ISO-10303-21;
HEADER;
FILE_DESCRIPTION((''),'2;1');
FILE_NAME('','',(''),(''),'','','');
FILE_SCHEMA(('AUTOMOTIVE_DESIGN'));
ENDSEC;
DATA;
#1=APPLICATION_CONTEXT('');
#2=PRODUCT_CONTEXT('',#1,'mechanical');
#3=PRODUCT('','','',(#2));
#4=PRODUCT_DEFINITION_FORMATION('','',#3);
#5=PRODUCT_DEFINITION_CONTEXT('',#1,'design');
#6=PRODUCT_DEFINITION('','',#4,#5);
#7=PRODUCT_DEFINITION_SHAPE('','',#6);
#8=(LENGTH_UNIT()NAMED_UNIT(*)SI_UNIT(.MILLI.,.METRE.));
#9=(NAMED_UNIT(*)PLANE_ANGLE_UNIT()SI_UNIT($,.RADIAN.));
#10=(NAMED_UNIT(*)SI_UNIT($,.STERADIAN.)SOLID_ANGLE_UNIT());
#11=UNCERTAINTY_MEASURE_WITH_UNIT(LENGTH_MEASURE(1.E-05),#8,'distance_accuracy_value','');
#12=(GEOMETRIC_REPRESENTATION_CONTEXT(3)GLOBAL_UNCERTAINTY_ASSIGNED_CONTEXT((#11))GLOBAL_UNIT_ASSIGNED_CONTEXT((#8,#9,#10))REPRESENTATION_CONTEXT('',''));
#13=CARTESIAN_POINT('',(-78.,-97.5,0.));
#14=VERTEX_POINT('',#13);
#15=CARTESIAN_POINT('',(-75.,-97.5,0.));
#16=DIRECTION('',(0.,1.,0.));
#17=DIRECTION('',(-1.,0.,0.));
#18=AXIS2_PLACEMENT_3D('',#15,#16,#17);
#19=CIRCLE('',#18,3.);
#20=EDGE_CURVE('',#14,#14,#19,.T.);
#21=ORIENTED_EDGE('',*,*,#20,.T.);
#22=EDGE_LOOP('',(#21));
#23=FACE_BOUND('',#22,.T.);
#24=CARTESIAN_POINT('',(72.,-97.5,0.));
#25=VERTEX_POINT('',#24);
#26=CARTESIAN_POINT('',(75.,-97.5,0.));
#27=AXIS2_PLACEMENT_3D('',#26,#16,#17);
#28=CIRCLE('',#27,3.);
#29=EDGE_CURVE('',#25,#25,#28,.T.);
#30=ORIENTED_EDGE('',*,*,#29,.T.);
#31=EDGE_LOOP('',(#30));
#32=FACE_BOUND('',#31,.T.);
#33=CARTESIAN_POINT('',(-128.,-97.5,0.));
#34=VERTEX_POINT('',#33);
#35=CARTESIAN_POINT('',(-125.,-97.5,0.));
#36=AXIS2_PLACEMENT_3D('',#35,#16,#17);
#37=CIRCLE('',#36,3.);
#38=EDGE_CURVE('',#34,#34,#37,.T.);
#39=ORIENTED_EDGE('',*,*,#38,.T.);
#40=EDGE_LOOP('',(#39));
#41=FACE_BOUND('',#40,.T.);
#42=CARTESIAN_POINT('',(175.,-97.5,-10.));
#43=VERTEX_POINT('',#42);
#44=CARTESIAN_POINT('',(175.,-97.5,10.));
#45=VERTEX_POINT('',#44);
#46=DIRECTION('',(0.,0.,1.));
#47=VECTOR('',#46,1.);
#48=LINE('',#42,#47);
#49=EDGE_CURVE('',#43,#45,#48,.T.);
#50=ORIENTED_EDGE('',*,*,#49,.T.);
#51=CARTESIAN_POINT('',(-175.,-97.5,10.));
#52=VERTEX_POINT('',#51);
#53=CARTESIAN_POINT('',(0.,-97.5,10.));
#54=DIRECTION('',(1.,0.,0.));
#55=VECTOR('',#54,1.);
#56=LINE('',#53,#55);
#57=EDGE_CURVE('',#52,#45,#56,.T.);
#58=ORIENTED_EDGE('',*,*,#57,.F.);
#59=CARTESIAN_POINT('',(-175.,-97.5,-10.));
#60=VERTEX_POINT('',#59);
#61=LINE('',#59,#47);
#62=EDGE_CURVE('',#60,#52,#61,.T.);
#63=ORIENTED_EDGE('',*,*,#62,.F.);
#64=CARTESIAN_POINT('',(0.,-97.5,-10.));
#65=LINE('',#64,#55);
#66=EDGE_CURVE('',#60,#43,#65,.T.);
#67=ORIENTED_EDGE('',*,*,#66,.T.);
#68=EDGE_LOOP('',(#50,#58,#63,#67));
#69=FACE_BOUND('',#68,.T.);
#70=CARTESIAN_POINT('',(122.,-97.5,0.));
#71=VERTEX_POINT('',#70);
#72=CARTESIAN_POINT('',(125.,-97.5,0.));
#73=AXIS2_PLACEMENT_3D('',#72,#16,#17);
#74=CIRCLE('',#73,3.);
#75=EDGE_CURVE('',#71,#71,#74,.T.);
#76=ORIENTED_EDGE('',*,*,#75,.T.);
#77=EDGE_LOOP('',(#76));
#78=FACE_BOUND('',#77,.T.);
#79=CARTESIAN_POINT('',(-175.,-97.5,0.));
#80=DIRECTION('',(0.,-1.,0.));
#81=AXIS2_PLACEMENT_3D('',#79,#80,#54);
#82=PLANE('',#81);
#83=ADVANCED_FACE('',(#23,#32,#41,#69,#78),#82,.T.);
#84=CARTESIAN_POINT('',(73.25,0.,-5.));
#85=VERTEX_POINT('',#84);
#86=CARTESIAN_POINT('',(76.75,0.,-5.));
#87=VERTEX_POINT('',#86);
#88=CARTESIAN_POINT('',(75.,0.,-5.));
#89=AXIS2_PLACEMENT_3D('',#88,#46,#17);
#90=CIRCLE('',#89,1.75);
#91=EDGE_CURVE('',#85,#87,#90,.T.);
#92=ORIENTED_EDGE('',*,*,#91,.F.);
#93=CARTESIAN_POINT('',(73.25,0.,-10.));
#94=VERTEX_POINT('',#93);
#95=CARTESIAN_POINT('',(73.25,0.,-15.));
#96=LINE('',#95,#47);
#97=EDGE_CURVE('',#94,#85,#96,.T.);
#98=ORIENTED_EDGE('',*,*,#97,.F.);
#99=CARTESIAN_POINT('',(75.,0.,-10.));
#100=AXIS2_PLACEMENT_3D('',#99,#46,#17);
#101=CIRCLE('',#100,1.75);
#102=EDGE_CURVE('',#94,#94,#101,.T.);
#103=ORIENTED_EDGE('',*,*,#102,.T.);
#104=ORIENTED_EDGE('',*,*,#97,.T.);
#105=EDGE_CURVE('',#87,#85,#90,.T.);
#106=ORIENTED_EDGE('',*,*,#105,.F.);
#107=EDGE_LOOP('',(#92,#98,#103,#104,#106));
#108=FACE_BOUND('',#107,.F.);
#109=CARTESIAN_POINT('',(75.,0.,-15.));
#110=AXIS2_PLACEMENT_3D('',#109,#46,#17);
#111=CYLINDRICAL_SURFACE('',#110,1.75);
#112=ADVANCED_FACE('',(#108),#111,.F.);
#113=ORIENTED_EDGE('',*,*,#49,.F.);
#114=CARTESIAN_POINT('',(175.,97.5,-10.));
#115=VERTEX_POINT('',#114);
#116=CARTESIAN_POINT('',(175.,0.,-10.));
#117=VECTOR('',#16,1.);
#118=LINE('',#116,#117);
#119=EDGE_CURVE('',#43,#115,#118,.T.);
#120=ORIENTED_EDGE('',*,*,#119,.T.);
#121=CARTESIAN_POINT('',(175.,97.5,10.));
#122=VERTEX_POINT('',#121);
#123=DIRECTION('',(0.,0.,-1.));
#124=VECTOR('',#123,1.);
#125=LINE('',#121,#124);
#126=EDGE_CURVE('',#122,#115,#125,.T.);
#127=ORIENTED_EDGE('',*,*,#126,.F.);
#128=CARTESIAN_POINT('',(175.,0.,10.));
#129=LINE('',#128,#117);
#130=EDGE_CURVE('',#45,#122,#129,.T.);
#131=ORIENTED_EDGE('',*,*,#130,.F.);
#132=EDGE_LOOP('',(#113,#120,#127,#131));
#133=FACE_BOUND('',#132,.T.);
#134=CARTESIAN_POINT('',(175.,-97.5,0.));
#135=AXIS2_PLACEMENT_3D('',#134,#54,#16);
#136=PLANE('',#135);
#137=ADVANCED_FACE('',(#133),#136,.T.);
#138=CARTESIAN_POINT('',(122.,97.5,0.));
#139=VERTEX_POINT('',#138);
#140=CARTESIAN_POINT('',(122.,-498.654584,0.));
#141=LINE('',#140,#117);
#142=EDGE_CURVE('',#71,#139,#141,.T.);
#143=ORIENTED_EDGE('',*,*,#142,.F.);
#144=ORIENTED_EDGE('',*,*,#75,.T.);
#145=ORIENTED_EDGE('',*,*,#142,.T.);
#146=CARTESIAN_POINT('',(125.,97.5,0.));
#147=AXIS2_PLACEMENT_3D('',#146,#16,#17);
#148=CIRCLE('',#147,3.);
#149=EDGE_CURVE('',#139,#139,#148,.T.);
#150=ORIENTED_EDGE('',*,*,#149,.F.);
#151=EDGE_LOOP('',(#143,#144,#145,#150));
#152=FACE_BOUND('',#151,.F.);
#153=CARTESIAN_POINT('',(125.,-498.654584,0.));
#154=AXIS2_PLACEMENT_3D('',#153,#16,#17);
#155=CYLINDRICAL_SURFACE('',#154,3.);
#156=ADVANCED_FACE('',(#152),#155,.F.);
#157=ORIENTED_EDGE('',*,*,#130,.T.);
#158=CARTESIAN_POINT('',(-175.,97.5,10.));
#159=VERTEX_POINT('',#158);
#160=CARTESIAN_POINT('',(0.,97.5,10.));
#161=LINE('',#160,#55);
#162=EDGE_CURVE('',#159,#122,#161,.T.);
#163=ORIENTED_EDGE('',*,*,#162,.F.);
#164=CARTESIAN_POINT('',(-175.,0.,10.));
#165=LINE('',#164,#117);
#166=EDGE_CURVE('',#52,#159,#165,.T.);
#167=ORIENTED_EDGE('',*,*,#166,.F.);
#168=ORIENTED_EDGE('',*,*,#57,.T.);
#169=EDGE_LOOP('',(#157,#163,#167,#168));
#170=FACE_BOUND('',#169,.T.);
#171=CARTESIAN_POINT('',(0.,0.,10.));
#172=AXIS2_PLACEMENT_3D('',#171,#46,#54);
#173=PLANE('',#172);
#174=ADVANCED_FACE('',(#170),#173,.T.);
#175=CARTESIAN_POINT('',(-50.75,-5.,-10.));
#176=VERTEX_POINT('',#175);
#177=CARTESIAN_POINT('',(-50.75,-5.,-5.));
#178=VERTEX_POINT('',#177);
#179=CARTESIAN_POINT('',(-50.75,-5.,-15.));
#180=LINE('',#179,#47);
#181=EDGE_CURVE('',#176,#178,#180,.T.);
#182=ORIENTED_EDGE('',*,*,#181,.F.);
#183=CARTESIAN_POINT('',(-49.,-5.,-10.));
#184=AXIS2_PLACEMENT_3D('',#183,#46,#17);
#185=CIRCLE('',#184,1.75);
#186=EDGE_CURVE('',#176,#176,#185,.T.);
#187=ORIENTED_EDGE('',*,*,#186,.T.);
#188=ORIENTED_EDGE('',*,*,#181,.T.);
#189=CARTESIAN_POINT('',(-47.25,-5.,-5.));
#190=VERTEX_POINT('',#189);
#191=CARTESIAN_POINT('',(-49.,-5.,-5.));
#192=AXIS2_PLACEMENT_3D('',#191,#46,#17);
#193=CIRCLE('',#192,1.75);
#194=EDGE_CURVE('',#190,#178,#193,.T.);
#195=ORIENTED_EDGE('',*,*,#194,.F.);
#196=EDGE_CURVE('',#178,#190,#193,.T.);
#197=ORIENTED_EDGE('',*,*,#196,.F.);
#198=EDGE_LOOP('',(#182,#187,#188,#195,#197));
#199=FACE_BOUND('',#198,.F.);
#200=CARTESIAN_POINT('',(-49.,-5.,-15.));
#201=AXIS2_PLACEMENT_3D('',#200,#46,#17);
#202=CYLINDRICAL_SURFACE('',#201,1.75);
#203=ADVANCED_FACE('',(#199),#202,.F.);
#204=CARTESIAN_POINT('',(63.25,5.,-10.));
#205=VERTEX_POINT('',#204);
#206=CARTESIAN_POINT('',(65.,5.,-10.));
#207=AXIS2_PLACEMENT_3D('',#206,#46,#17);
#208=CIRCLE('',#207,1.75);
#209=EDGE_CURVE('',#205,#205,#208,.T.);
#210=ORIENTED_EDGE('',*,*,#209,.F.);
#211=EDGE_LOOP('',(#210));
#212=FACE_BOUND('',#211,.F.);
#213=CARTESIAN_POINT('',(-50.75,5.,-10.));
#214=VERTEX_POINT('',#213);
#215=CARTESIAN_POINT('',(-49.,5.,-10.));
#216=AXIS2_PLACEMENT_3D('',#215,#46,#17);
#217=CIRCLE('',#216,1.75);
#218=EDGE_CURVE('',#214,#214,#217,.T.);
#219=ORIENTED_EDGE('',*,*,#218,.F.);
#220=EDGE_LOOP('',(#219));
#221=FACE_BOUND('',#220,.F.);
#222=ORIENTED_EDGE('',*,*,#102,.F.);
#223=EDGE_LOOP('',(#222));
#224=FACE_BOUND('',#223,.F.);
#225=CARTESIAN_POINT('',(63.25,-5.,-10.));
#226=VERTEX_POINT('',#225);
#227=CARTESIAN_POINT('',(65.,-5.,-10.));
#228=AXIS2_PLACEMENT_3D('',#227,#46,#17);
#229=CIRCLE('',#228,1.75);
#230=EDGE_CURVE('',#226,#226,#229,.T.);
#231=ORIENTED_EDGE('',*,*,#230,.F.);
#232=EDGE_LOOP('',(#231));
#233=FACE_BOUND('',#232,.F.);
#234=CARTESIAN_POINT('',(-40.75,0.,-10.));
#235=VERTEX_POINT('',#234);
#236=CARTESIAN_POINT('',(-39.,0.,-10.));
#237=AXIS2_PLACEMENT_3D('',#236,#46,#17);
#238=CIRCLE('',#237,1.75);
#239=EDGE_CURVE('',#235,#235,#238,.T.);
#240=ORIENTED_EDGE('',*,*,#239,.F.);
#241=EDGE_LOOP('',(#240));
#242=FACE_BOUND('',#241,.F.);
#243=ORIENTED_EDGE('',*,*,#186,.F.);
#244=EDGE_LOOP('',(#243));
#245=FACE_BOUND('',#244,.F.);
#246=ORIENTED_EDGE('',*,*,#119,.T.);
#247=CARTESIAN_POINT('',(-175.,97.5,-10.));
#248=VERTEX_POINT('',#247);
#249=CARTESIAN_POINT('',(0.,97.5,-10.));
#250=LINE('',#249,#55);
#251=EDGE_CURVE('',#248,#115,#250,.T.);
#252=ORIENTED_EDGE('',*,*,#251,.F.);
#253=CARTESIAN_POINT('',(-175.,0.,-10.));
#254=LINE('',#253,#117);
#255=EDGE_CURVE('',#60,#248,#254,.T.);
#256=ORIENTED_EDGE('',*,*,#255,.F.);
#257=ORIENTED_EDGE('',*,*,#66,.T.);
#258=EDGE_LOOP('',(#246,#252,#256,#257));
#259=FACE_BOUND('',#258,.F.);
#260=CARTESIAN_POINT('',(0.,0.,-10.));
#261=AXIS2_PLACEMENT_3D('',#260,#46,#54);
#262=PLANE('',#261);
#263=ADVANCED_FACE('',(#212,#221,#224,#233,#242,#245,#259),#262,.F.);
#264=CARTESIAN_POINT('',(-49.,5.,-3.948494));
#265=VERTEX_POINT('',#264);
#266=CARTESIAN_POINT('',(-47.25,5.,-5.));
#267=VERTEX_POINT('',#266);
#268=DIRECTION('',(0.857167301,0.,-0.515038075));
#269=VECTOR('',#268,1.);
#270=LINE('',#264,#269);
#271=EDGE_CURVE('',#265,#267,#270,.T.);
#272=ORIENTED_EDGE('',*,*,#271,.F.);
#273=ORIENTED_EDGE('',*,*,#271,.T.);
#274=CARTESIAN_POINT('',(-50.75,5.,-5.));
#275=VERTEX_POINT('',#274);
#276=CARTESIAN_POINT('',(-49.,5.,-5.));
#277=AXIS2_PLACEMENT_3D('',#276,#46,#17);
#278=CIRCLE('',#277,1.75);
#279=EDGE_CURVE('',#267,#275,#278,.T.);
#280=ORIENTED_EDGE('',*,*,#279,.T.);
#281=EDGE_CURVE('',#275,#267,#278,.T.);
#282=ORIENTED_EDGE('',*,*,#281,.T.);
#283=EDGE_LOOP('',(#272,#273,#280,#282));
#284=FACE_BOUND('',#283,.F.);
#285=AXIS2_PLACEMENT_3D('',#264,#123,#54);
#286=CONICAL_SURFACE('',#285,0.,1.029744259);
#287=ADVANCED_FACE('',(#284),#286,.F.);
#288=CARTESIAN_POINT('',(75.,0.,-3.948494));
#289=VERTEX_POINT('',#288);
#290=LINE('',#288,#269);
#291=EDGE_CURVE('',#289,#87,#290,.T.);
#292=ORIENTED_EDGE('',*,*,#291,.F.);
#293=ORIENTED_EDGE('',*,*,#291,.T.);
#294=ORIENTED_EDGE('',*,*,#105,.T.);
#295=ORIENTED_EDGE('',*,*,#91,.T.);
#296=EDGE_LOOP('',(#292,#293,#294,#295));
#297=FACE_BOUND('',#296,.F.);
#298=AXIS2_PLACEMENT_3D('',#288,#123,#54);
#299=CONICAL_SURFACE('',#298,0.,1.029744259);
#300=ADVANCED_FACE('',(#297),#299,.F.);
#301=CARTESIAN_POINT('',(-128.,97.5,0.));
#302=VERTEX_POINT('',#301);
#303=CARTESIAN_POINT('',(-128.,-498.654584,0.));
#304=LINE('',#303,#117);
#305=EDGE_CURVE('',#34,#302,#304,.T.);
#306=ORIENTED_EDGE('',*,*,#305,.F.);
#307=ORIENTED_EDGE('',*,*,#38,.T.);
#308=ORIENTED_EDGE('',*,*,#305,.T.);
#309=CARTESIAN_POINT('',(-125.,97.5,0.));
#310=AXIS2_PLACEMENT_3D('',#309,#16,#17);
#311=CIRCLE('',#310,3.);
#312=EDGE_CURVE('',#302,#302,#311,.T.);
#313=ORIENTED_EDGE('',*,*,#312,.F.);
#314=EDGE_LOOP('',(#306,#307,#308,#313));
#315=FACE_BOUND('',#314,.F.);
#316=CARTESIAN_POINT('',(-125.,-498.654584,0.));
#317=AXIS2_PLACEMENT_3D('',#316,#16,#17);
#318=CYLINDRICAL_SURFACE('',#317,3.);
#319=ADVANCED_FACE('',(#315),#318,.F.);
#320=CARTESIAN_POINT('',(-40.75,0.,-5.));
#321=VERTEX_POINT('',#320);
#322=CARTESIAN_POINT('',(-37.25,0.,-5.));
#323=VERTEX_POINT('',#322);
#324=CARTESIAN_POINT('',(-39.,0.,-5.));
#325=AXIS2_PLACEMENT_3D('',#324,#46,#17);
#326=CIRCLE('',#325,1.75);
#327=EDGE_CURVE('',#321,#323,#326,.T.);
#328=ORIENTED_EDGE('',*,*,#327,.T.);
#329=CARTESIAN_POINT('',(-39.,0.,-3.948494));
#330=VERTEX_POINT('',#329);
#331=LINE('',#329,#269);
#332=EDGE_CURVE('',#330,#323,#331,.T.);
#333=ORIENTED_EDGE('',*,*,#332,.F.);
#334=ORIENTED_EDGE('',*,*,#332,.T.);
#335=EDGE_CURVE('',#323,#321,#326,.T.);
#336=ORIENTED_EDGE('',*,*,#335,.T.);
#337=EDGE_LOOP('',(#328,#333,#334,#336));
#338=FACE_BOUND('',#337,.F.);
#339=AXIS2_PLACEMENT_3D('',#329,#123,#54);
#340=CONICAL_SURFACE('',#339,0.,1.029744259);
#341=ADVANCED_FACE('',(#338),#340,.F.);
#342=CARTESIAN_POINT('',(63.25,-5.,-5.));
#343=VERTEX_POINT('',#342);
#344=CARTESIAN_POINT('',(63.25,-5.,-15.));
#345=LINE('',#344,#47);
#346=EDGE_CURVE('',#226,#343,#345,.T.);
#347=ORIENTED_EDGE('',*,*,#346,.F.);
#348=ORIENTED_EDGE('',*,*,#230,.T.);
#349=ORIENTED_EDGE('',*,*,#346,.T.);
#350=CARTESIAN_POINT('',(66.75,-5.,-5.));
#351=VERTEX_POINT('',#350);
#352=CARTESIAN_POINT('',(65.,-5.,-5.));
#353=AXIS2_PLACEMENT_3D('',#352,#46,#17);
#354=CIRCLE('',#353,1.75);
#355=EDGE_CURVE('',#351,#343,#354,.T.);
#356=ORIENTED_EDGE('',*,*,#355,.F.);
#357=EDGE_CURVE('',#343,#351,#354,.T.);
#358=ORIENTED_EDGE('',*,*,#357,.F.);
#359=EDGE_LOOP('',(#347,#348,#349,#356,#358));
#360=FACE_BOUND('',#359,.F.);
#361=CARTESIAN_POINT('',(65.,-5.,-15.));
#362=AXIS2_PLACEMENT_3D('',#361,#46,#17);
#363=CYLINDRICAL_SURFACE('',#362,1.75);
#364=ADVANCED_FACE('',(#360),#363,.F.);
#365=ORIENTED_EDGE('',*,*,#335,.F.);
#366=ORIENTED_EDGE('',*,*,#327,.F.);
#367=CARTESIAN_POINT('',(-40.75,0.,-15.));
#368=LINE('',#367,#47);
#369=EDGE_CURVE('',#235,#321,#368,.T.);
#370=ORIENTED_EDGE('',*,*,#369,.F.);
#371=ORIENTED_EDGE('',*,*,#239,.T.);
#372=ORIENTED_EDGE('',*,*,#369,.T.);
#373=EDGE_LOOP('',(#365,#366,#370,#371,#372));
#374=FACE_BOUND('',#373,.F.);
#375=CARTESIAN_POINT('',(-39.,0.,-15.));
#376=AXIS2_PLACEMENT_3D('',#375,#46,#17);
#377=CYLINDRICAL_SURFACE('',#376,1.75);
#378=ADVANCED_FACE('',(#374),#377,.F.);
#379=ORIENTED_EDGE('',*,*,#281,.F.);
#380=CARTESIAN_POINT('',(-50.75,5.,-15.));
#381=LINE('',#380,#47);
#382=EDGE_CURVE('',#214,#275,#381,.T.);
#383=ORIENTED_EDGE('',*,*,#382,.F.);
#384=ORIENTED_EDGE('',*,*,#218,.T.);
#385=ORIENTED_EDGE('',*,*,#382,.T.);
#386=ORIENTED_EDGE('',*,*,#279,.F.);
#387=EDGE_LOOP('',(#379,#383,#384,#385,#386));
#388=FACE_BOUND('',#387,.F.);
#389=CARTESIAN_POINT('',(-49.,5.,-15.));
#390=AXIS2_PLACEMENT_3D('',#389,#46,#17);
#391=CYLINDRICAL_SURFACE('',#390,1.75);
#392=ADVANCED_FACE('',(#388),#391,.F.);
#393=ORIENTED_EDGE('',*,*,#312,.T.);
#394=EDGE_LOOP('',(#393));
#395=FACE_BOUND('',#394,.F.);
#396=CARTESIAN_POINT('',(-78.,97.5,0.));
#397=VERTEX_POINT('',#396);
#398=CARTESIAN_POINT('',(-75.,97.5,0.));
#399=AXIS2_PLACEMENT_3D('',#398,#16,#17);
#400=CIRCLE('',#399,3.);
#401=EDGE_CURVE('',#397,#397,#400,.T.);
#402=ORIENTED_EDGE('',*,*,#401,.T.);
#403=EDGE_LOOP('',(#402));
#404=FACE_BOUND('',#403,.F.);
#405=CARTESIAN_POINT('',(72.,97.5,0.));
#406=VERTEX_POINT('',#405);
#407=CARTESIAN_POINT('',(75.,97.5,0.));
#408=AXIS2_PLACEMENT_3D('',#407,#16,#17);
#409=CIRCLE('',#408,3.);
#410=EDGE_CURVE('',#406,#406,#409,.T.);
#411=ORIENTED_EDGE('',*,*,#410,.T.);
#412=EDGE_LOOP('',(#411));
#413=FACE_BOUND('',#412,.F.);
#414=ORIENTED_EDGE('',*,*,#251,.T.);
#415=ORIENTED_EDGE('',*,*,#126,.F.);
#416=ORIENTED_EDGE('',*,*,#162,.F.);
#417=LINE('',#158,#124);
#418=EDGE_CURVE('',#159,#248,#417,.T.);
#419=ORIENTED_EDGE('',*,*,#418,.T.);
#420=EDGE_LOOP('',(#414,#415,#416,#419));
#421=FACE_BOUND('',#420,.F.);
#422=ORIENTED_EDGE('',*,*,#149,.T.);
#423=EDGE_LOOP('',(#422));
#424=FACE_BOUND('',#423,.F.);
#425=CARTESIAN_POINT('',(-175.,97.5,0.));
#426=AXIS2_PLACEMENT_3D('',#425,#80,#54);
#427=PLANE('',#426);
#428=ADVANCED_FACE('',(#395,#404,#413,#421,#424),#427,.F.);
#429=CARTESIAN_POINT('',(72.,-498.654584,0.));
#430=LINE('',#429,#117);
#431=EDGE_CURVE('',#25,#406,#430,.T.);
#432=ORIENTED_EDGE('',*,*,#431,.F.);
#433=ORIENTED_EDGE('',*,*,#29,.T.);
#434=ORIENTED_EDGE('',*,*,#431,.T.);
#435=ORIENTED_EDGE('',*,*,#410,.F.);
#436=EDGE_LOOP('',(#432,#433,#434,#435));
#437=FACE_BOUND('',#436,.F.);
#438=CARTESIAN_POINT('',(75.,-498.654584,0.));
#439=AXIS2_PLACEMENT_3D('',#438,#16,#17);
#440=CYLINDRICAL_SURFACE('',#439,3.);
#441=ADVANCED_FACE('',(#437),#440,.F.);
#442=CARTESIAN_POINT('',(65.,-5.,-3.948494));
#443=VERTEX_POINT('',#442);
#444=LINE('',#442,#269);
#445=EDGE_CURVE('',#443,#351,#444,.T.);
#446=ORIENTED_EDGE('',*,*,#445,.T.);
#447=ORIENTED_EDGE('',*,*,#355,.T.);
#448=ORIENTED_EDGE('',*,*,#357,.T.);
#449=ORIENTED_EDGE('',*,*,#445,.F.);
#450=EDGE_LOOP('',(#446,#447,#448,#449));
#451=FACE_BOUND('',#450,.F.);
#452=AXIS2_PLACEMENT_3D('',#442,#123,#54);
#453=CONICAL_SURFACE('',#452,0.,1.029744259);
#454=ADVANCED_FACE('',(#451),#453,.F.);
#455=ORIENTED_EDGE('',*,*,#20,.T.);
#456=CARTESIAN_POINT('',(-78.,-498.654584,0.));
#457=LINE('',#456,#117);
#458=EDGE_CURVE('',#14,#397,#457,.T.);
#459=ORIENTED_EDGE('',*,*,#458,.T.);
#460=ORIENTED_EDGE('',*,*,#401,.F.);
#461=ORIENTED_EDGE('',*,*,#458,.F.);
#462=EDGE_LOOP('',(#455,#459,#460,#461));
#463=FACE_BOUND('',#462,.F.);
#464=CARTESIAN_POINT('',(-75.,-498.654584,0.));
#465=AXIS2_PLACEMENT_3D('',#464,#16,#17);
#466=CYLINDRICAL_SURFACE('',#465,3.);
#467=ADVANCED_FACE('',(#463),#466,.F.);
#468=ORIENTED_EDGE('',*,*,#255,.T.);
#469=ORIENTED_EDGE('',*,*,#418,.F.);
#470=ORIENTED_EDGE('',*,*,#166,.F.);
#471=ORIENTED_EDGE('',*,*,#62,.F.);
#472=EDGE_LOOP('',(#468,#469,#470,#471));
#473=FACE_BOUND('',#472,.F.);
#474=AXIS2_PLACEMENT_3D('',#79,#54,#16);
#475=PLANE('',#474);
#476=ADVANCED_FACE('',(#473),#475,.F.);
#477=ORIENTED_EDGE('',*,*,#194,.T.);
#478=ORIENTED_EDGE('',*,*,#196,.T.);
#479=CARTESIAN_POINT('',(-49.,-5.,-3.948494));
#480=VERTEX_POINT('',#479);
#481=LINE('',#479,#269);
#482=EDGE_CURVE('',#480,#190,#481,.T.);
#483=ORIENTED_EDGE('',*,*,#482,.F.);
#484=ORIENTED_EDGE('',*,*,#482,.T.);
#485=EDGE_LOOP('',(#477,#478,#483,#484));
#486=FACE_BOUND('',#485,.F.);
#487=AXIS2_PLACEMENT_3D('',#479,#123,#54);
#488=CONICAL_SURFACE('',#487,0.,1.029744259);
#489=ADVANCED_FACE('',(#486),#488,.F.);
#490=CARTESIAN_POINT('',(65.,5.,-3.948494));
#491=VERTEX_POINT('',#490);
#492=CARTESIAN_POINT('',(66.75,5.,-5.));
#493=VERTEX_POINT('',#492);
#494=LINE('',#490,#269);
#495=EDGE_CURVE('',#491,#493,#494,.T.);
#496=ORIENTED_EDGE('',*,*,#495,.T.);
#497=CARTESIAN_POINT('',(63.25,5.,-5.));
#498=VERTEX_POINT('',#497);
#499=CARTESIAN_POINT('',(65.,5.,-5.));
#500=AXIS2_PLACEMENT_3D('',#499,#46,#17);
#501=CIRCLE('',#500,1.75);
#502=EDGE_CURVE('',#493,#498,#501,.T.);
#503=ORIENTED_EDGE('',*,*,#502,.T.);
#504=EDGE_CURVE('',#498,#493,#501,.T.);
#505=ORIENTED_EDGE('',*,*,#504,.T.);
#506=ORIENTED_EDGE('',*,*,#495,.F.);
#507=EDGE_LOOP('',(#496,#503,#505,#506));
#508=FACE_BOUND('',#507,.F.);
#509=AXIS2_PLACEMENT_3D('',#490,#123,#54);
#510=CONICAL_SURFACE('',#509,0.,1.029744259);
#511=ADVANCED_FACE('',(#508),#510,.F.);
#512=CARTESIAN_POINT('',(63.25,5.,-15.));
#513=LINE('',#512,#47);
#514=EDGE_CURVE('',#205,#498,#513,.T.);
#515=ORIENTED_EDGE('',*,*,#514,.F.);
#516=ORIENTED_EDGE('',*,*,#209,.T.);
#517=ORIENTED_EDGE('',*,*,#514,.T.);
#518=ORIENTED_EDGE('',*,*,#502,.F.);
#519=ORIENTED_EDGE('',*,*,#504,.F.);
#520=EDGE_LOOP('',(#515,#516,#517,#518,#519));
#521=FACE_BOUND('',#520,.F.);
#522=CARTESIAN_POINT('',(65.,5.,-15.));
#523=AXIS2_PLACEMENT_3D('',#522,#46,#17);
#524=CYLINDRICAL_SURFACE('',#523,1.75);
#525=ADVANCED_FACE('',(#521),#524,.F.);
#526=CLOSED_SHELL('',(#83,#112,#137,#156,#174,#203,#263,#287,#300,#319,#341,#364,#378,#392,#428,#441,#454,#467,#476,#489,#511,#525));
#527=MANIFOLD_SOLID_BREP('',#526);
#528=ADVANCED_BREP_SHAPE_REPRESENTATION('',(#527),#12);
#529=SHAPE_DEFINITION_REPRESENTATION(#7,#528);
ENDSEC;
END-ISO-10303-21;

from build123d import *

# Parameters (mm, degrees)
F0_W     = 350
F0_H     = 195
F1_DEPTH = 10
F3_D     = 6
F5_D     = 3.5
F5_DEPTH = 5
F5_TIP   = 1.0515060833


with BuildPart() as f1:
    # F0 (on Top) → F1 (new body, symmetric)
    with BuildSketch(Plane.XY):
        Rectangle(F0_W, F0_H)
    extrude(amount=F1_DEPTH, both=True)

    # F3 (through all)
    with Locations(Plane.XZ.offset(97.5)):
        with Locations((-125, 0), (-75, 0), (75, 0), (125, 0)):
            Hole(F3_D / 2)

    # F5
    with Locations(Plane(origin=(0, 0, -10), x_dir=(1, 0, 0), z_dir=(0, 0, -1))):
        with Locations((-49, 5), (-49, -5), (-39, 0), (65, 5), (65, -5), (75, 0)):
            Hole(F5_D / 2, depth=F5_DEPTH)
            with Locations((0, 0, -(F5_DEPTH + F5_TIP / 2))):  # 118° drill point
                Cone(0, F5_D / 2, F5_TIP, mode=Mode.SUBTRACT)


solid = f1.part
